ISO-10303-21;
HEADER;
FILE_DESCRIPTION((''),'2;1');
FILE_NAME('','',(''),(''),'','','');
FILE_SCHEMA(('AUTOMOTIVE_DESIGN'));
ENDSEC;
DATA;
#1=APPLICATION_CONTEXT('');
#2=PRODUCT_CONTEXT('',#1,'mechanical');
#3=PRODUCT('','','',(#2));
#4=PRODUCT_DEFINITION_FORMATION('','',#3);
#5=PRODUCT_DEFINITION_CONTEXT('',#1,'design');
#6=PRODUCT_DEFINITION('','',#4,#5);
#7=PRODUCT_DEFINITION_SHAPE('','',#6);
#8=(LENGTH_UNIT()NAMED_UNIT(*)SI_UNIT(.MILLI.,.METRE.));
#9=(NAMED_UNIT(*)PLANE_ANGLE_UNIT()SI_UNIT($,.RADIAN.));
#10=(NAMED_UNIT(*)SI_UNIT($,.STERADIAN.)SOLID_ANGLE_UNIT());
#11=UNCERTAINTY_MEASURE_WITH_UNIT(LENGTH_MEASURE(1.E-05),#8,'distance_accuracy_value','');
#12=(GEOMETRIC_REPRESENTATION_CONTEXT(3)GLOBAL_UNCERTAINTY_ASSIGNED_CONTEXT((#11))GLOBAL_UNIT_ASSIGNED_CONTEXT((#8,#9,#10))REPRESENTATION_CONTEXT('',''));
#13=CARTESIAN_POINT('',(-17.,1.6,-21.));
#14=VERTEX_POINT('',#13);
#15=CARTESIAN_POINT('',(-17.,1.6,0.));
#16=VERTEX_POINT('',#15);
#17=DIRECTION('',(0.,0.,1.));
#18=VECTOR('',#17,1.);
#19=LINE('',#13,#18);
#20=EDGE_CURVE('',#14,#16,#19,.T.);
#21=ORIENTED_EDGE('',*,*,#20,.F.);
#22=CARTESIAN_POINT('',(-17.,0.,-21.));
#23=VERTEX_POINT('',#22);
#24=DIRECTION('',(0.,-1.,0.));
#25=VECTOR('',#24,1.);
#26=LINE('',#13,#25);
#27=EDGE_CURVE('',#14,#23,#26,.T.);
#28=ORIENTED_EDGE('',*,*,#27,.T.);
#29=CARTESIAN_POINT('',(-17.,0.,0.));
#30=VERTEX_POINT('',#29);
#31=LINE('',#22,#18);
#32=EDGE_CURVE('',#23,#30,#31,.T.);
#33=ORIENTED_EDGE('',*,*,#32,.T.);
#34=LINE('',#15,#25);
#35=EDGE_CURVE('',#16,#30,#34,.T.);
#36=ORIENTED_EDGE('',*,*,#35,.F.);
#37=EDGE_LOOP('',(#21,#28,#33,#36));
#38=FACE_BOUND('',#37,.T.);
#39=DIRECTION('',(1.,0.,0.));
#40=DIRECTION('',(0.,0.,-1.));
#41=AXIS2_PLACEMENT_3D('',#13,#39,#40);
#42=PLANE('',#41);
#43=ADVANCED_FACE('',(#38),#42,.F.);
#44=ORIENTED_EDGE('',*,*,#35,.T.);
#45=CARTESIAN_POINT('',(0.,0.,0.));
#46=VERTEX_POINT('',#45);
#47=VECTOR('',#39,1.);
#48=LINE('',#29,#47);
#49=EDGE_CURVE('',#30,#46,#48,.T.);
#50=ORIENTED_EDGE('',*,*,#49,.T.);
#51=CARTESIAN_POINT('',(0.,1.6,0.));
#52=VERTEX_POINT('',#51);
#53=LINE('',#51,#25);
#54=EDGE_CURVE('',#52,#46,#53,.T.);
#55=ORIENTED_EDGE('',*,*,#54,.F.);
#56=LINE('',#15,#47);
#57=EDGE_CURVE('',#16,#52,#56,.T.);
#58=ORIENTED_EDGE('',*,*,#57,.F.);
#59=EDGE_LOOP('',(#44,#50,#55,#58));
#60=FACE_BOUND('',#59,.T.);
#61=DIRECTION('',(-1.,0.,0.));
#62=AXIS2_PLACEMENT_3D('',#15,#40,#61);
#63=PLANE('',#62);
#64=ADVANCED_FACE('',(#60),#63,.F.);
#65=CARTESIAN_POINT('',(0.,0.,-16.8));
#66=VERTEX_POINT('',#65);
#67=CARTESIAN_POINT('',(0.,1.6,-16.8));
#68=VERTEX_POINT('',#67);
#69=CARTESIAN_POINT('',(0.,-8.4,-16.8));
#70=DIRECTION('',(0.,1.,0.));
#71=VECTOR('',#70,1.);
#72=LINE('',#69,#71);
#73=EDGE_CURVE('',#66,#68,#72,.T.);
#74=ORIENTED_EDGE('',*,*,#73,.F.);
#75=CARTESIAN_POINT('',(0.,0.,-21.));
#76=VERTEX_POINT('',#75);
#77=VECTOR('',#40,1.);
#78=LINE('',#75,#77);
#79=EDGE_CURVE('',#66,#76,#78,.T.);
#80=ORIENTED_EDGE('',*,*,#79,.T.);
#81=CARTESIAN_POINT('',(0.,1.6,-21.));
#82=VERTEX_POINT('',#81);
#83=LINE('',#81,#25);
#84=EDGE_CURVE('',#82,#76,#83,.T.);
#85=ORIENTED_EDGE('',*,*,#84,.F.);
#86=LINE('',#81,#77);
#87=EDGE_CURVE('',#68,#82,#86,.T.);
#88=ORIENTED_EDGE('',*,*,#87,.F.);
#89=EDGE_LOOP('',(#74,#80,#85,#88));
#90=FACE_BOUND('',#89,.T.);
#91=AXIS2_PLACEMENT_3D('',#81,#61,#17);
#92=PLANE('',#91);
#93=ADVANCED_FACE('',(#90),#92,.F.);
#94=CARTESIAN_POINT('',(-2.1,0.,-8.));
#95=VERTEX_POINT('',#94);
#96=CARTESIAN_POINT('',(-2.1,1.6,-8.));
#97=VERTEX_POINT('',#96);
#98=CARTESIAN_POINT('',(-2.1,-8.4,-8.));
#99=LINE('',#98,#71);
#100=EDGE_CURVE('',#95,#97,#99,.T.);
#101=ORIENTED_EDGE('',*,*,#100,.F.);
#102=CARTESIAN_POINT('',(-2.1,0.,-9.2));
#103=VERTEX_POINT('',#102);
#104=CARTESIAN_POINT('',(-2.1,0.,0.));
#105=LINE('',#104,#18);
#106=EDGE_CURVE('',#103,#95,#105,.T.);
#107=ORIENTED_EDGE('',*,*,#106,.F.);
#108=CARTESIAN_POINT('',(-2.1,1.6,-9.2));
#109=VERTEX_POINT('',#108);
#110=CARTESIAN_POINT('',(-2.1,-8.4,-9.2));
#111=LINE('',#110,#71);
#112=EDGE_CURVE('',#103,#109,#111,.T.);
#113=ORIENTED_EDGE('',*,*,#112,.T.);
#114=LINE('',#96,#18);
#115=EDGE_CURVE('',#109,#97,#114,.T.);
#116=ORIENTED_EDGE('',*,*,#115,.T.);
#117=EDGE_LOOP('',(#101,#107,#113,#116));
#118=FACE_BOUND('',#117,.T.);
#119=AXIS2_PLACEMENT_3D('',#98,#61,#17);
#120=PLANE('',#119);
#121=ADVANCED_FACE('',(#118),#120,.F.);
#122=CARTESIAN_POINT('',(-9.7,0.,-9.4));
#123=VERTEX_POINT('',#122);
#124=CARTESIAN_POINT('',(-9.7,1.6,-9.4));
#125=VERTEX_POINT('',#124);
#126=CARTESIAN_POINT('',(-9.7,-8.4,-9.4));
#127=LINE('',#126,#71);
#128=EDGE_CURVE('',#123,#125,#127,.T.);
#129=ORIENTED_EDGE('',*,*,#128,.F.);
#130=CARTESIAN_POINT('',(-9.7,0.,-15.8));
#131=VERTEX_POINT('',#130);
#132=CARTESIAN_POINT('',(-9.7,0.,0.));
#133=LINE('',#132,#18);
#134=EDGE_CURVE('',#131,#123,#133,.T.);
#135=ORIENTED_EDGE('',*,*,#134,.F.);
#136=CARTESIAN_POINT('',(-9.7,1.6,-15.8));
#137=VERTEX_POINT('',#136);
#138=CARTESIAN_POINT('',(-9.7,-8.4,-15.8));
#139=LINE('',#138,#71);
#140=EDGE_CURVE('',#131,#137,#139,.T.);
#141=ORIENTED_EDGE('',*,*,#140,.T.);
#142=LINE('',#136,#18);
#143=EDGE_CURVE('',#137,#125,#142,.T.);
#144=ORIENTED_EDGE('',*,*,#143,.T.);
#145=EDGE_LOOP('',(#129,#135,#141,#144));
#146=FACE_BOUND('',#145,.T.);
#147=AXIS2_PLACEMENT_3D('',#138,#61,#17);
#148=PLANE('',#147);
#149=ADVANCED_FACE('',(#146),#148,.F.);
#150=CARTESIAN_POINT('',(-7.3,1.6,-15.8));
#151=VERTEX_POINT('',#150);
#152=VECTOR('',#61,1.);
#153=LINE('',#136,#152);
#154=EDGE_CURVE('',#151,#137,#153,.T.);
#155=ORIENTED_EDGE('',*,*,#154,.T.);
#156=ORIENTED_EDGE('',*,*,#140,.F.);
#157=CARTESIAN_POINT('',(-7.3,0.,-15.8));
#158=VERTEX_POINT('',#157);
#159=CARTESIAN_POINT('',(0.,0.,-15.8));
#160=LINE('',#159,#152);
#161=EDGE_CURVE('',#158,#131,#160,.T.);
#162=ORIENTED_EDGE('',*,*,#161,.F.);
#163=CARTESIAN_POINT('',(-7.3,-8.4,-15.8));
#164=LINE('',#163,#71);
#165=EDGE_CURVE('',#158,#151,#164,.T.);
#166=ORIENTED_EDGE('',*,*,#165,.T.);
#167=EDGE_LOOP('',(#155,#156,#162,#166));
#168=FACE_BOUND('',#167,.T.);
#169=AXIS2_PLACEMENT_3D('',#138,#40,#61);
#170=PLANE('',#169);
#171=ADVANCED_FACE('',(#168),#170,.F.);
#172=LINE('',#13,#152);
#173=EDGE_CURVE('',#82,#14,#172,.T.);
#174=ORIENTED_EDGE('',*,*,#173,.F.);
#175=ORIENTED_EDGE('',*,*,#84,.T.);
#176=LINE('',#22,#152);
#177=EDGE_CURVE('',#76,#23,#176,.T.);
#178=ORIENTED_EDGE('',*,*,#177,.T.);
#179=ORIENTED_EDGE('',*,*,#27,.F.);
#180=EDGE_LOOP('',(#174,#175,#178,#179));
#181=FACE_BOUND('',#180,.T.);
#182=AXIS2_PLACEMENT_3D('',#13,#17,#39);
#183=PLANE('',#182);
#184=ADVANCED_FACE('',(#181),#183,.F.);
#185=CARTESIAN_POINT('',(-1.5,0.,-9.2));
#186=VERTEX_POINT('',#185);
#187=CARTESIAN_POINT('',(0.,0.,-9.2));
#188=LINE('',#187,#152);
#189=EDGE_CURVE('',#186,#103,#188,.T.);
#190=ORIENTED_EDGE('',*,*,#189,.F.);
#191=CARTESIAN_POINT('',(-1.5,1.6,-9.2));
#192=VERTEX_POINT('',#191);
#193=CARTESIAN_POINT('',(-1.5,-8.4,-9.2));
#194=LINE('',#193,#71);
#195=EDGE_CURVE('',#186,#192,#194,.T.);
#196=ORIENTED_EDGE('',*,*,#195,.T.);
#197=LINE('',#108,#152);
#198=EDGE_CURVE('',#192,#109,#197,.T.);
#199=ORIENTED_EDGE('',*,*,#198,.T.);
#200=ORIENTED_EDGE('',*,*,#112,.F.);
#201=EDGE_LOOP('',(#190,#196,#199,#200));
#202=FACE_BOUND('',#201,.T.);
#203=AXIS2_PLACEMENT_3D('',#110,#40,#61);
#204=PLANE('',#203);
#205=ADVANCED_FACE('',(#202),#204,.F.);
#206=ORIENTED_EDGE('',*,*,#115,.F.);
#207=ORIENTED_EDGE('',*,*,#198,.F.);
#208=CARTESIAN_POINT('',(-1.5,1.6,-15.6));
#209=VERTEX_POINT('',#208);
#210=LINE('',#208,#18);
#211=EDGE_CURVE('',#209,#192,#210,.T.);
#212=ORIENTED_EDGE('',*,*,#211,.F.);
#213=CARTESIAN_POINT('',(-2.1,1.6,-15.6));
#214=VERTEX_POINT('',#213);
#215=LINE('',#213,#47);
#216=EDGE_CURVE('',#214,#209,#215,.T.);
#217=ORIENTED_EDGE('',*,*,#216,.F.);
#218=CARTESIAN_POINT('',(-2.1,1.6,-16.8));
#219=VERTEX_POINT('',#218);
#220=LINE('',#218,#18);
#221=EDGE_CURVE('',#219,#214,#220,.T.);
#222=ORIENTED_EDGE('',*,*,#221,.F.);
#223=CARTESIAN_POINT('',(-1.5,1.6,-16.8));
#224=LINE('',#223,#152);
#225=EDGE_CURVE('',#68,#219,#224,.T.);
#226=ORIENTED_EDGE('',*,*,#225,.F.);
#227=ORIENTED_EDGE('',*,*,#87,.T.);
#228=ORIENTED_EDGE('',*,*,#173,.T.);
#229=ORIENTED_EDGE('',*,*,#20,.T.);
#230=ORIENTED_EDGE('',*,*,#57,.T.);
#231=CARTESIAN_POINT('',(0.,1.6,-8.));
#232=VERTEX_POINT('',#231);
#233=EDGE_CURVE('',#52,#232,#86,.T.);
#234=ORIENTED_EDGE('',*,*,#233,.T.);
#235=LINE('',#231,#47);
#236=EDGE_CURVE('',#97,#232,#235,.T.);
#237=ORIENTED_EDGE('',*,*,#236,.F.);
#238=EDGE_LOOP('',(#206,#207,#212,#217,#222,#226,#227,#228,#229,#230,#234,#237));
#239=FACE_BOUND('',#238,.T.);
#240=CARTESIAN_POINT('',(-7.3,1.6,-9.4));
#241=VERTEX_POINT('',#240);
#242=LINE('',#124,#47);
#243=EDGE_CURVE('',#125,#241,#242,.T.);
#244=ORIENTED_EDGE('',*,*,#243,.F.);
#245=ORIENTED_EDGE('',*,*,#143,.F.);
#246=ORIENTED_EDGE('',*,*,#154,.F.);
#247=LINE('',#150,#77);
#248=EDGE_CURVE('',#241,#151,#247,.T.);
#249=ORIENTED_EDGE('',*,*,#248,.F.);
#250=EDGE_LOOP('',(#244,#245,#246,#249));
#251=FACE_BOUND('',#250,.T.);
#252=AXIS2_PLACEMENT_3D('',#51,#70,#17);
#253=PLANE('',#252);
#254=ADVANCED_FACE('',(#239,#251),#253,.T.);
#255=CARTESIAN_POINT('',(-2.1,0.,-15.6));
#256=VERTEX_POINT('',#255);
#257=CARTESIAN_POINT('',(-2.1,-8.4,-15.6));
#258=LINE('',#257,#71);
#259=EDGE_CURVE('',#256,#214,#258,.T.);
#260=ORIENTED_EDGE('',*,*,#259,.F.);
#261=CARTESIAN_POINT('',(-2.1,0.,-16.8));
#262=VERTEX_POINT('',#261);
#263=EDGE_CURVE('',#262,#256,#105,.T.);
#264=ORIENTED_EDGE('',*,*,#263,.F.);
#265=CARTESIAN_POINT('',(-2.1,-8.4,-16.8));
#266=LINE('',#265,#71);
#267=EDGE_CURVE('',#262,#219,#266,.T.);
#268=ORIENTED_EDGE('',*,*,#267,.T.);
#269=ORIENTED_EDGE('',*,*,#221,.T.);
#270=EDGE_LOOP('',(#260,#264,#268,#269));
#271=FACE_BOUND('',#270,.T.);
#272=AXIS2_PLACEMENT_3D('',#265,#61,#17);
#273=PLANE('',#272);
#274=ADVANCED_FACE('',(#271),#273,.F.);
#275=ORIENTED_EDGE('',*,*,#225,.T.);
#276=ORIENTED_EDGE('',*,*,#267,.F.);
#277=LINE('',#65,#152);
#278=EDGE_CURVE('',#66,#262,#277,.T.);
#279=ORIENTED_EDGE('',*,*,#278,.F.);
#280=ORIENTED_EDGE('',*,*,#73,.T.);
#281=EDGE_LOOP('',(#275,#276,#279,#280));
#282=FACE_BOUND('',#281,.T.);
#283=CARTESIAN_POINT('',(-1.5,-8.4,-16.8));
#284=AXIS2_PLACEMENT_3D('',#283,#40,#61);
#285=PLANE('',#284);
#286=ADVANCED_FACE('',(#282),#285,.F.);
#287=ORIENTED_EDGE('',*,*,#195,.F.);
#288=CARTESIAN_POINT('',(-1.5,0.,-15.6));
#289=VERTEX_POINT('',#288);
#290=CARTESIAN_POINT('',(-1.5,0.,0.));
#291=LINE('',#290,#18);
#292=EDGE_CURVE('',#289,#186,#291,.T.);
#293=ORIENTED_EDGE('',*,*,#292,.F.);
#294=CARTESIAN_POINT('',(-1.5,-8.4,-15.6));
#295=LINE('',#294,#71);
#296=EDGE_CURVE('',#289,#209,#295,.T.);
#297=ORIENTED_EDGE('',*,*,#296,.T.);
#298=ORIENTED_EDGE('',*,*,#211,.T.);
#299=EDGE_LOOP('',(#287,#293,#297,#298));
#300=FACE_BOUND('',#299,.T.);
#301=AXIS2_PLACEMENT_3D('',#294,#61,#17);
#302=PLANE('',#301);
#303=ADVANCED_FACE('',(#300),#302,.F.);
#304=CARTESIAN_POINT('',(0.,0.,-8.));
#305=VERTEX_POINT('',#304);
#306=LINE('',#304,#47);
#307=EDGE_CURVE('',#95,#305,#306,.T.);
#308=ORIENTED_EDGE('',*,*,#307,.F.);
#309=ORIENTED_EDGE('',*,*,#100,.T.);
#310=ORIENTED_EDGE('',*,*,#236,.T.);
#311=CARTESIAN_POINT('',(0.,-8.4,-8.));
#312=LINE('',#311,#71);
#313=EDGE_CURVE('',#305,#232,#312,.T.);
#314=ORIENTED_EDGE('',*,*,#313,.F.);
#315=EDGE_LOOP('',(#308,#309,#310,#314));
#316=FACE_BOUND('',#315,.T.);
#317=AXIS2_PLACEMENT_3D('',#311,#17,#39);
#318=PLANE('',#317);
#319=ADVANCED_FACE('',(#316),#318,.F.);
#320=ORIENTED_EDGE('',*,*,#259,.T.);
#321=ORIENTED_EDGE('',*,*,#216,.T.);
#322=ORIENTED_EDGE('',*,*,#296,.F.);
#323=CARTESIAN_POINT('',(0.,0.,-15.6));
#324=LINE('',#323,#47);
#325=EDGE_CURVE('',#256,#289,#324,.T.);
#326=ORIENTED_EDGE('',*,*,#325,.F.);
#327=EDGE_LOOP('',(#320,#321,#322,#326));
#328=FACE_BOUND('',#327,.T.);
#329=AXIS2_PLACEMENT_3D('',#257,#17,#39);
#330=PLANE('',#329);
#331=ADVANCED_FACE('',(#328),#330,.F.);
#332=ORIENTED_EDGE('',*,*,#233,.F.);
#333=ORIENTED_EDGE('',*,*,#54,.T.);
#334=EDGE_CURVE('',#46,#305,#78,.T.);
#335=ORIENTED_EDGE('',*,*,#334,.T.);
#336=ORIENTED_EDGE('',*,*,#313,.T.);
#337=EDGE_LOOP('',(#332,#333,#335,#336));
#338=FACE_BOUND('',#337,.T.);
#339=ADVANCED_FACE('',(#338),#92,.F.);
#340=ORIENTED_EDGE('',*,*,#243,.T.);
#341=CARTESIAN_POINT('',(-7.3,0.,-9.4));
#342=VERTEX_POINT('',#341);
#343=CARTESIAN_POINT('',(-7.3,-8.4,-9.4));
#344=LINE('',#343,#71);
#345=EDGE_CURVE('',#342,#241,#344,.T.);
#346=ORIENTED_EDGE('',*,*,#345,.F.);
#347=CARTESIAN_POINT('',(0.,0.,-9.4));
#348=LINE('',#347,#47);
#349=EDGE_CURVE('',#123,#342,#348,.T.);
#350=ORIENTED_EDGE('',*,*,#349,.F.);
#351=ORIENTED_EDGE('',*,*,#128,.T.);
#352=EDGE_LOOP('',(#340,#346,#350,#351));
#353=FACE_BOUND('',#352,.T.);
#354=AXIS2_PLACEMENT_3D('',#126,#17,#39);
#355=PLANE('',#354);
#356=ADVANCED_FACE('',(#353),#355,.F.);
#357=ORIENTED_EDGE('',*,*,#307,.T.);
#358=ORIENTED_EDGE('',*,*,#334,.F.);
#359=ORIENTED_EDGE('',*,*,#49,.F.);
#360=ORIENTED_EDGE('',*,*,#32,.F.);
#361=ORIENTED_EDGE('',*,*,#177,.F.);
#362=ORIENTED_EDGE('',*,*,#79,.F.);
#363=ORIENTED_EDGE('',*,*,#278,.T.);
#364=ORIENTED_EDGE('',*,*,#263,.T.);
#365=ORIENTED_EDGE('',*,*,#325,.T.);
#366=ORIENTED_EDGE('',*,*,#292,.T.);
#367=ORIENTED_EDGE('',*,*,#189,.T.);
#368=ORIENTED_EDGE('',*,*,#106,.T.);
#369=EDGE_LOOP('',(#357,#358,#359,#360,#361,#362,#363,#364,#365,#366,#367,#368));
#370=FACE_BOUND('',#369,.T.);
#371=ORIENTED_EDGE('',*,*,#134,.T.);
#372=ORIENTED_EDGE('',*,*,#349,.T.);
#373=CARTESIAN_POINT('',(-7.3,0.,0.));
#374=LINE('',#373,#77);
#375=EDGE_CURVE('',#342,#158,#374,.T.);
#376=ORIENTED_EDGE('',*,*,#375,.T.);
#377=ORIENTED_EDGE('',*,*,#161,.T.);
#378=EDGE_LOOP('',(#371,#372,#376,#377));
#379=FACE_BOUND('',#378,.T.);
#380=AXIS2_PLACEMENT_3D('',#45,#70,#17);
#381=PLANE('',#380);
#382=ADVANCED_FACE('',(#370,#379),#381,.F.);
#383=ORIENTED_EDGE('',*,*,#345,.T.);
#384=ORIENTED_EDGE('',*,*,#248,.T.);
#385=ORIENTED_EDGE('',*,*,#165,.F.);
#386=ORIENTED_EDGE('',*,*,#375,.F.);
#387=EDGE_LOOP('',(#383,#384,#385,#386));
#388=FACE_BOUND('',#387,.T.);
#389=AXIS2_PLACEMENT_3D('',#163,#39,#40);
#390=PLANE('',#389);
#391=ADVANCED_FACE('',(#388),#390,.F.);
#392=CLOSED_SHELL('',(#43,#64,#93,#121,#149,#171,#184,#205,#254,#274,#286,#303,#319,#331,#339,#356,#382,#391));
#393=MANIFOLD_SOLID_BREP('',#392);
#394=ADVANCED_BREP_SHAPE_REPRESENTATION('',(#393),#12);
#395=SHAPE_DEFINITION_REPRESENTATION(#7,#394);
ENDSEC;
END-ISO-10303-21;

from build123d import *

# Parameters (mm, degrees)
SKETCH_1_W          = 17
SKETCH_1_H          = 21
EXTRUDE_1_DEPTH     = 1.6
SKETCH_2_W          = 2.4
SKETCH_2_H          = 6.4
CUT_EXTRUDE_1_DEPTH = 10
CUT_EXTRUDE_2_DEPTH = 10


with BuildPart() as part:
    # 草图1 → 凸台-拉伸1 (new body)
    with BuildSketch(Plane(origin=(0, 0, 0), x_dir=(1, 0, 0), z_dir=(0, 1, 0))):
        with Locations((-8.5, 10.5)):
            Rectangle(SKETCH_1_W, SKETCH_1_H)
    extrude(amount=EXTRUDE_1_DEPTH)

    # 草图2 → 切除-拉伸1 (cut)
    with BuildSketch(Plane(origin=(0, 1.6, 0), x_dir=(1, 0, 0), z_dir=(0, 1, 0))):
        with Locations((-8.5, 12.6)):
            Rectangle(SKETCH_2_W, SKETCH_2_H)
    extrude(amount=-CUT_EXTRUDE_1_DEPTH, mode=Mode.SUBTRACT)

    # 草图3 → 切除-拉伸2 (cut)
    with BuildSketch(Plane(origin=(0, 1.6, 0), x_dir=(1, 0, 0), z_dir=(0, 1, 0))):
        Polygon((0, 16.8), (-1.5, 16.8), (-2.1, 16.8), (-2.1, 15.6), (-1.5, 15.6), (-1.5, 9.2), (-2.1, 9.2), (-2.1, 8), (-1.5, 8), (0, 8), align=None)
    extrude(amount=-CUT_EXTRUDE_2_DEPTH, mode=Mode.SUBTRACT)


solid = part.part
